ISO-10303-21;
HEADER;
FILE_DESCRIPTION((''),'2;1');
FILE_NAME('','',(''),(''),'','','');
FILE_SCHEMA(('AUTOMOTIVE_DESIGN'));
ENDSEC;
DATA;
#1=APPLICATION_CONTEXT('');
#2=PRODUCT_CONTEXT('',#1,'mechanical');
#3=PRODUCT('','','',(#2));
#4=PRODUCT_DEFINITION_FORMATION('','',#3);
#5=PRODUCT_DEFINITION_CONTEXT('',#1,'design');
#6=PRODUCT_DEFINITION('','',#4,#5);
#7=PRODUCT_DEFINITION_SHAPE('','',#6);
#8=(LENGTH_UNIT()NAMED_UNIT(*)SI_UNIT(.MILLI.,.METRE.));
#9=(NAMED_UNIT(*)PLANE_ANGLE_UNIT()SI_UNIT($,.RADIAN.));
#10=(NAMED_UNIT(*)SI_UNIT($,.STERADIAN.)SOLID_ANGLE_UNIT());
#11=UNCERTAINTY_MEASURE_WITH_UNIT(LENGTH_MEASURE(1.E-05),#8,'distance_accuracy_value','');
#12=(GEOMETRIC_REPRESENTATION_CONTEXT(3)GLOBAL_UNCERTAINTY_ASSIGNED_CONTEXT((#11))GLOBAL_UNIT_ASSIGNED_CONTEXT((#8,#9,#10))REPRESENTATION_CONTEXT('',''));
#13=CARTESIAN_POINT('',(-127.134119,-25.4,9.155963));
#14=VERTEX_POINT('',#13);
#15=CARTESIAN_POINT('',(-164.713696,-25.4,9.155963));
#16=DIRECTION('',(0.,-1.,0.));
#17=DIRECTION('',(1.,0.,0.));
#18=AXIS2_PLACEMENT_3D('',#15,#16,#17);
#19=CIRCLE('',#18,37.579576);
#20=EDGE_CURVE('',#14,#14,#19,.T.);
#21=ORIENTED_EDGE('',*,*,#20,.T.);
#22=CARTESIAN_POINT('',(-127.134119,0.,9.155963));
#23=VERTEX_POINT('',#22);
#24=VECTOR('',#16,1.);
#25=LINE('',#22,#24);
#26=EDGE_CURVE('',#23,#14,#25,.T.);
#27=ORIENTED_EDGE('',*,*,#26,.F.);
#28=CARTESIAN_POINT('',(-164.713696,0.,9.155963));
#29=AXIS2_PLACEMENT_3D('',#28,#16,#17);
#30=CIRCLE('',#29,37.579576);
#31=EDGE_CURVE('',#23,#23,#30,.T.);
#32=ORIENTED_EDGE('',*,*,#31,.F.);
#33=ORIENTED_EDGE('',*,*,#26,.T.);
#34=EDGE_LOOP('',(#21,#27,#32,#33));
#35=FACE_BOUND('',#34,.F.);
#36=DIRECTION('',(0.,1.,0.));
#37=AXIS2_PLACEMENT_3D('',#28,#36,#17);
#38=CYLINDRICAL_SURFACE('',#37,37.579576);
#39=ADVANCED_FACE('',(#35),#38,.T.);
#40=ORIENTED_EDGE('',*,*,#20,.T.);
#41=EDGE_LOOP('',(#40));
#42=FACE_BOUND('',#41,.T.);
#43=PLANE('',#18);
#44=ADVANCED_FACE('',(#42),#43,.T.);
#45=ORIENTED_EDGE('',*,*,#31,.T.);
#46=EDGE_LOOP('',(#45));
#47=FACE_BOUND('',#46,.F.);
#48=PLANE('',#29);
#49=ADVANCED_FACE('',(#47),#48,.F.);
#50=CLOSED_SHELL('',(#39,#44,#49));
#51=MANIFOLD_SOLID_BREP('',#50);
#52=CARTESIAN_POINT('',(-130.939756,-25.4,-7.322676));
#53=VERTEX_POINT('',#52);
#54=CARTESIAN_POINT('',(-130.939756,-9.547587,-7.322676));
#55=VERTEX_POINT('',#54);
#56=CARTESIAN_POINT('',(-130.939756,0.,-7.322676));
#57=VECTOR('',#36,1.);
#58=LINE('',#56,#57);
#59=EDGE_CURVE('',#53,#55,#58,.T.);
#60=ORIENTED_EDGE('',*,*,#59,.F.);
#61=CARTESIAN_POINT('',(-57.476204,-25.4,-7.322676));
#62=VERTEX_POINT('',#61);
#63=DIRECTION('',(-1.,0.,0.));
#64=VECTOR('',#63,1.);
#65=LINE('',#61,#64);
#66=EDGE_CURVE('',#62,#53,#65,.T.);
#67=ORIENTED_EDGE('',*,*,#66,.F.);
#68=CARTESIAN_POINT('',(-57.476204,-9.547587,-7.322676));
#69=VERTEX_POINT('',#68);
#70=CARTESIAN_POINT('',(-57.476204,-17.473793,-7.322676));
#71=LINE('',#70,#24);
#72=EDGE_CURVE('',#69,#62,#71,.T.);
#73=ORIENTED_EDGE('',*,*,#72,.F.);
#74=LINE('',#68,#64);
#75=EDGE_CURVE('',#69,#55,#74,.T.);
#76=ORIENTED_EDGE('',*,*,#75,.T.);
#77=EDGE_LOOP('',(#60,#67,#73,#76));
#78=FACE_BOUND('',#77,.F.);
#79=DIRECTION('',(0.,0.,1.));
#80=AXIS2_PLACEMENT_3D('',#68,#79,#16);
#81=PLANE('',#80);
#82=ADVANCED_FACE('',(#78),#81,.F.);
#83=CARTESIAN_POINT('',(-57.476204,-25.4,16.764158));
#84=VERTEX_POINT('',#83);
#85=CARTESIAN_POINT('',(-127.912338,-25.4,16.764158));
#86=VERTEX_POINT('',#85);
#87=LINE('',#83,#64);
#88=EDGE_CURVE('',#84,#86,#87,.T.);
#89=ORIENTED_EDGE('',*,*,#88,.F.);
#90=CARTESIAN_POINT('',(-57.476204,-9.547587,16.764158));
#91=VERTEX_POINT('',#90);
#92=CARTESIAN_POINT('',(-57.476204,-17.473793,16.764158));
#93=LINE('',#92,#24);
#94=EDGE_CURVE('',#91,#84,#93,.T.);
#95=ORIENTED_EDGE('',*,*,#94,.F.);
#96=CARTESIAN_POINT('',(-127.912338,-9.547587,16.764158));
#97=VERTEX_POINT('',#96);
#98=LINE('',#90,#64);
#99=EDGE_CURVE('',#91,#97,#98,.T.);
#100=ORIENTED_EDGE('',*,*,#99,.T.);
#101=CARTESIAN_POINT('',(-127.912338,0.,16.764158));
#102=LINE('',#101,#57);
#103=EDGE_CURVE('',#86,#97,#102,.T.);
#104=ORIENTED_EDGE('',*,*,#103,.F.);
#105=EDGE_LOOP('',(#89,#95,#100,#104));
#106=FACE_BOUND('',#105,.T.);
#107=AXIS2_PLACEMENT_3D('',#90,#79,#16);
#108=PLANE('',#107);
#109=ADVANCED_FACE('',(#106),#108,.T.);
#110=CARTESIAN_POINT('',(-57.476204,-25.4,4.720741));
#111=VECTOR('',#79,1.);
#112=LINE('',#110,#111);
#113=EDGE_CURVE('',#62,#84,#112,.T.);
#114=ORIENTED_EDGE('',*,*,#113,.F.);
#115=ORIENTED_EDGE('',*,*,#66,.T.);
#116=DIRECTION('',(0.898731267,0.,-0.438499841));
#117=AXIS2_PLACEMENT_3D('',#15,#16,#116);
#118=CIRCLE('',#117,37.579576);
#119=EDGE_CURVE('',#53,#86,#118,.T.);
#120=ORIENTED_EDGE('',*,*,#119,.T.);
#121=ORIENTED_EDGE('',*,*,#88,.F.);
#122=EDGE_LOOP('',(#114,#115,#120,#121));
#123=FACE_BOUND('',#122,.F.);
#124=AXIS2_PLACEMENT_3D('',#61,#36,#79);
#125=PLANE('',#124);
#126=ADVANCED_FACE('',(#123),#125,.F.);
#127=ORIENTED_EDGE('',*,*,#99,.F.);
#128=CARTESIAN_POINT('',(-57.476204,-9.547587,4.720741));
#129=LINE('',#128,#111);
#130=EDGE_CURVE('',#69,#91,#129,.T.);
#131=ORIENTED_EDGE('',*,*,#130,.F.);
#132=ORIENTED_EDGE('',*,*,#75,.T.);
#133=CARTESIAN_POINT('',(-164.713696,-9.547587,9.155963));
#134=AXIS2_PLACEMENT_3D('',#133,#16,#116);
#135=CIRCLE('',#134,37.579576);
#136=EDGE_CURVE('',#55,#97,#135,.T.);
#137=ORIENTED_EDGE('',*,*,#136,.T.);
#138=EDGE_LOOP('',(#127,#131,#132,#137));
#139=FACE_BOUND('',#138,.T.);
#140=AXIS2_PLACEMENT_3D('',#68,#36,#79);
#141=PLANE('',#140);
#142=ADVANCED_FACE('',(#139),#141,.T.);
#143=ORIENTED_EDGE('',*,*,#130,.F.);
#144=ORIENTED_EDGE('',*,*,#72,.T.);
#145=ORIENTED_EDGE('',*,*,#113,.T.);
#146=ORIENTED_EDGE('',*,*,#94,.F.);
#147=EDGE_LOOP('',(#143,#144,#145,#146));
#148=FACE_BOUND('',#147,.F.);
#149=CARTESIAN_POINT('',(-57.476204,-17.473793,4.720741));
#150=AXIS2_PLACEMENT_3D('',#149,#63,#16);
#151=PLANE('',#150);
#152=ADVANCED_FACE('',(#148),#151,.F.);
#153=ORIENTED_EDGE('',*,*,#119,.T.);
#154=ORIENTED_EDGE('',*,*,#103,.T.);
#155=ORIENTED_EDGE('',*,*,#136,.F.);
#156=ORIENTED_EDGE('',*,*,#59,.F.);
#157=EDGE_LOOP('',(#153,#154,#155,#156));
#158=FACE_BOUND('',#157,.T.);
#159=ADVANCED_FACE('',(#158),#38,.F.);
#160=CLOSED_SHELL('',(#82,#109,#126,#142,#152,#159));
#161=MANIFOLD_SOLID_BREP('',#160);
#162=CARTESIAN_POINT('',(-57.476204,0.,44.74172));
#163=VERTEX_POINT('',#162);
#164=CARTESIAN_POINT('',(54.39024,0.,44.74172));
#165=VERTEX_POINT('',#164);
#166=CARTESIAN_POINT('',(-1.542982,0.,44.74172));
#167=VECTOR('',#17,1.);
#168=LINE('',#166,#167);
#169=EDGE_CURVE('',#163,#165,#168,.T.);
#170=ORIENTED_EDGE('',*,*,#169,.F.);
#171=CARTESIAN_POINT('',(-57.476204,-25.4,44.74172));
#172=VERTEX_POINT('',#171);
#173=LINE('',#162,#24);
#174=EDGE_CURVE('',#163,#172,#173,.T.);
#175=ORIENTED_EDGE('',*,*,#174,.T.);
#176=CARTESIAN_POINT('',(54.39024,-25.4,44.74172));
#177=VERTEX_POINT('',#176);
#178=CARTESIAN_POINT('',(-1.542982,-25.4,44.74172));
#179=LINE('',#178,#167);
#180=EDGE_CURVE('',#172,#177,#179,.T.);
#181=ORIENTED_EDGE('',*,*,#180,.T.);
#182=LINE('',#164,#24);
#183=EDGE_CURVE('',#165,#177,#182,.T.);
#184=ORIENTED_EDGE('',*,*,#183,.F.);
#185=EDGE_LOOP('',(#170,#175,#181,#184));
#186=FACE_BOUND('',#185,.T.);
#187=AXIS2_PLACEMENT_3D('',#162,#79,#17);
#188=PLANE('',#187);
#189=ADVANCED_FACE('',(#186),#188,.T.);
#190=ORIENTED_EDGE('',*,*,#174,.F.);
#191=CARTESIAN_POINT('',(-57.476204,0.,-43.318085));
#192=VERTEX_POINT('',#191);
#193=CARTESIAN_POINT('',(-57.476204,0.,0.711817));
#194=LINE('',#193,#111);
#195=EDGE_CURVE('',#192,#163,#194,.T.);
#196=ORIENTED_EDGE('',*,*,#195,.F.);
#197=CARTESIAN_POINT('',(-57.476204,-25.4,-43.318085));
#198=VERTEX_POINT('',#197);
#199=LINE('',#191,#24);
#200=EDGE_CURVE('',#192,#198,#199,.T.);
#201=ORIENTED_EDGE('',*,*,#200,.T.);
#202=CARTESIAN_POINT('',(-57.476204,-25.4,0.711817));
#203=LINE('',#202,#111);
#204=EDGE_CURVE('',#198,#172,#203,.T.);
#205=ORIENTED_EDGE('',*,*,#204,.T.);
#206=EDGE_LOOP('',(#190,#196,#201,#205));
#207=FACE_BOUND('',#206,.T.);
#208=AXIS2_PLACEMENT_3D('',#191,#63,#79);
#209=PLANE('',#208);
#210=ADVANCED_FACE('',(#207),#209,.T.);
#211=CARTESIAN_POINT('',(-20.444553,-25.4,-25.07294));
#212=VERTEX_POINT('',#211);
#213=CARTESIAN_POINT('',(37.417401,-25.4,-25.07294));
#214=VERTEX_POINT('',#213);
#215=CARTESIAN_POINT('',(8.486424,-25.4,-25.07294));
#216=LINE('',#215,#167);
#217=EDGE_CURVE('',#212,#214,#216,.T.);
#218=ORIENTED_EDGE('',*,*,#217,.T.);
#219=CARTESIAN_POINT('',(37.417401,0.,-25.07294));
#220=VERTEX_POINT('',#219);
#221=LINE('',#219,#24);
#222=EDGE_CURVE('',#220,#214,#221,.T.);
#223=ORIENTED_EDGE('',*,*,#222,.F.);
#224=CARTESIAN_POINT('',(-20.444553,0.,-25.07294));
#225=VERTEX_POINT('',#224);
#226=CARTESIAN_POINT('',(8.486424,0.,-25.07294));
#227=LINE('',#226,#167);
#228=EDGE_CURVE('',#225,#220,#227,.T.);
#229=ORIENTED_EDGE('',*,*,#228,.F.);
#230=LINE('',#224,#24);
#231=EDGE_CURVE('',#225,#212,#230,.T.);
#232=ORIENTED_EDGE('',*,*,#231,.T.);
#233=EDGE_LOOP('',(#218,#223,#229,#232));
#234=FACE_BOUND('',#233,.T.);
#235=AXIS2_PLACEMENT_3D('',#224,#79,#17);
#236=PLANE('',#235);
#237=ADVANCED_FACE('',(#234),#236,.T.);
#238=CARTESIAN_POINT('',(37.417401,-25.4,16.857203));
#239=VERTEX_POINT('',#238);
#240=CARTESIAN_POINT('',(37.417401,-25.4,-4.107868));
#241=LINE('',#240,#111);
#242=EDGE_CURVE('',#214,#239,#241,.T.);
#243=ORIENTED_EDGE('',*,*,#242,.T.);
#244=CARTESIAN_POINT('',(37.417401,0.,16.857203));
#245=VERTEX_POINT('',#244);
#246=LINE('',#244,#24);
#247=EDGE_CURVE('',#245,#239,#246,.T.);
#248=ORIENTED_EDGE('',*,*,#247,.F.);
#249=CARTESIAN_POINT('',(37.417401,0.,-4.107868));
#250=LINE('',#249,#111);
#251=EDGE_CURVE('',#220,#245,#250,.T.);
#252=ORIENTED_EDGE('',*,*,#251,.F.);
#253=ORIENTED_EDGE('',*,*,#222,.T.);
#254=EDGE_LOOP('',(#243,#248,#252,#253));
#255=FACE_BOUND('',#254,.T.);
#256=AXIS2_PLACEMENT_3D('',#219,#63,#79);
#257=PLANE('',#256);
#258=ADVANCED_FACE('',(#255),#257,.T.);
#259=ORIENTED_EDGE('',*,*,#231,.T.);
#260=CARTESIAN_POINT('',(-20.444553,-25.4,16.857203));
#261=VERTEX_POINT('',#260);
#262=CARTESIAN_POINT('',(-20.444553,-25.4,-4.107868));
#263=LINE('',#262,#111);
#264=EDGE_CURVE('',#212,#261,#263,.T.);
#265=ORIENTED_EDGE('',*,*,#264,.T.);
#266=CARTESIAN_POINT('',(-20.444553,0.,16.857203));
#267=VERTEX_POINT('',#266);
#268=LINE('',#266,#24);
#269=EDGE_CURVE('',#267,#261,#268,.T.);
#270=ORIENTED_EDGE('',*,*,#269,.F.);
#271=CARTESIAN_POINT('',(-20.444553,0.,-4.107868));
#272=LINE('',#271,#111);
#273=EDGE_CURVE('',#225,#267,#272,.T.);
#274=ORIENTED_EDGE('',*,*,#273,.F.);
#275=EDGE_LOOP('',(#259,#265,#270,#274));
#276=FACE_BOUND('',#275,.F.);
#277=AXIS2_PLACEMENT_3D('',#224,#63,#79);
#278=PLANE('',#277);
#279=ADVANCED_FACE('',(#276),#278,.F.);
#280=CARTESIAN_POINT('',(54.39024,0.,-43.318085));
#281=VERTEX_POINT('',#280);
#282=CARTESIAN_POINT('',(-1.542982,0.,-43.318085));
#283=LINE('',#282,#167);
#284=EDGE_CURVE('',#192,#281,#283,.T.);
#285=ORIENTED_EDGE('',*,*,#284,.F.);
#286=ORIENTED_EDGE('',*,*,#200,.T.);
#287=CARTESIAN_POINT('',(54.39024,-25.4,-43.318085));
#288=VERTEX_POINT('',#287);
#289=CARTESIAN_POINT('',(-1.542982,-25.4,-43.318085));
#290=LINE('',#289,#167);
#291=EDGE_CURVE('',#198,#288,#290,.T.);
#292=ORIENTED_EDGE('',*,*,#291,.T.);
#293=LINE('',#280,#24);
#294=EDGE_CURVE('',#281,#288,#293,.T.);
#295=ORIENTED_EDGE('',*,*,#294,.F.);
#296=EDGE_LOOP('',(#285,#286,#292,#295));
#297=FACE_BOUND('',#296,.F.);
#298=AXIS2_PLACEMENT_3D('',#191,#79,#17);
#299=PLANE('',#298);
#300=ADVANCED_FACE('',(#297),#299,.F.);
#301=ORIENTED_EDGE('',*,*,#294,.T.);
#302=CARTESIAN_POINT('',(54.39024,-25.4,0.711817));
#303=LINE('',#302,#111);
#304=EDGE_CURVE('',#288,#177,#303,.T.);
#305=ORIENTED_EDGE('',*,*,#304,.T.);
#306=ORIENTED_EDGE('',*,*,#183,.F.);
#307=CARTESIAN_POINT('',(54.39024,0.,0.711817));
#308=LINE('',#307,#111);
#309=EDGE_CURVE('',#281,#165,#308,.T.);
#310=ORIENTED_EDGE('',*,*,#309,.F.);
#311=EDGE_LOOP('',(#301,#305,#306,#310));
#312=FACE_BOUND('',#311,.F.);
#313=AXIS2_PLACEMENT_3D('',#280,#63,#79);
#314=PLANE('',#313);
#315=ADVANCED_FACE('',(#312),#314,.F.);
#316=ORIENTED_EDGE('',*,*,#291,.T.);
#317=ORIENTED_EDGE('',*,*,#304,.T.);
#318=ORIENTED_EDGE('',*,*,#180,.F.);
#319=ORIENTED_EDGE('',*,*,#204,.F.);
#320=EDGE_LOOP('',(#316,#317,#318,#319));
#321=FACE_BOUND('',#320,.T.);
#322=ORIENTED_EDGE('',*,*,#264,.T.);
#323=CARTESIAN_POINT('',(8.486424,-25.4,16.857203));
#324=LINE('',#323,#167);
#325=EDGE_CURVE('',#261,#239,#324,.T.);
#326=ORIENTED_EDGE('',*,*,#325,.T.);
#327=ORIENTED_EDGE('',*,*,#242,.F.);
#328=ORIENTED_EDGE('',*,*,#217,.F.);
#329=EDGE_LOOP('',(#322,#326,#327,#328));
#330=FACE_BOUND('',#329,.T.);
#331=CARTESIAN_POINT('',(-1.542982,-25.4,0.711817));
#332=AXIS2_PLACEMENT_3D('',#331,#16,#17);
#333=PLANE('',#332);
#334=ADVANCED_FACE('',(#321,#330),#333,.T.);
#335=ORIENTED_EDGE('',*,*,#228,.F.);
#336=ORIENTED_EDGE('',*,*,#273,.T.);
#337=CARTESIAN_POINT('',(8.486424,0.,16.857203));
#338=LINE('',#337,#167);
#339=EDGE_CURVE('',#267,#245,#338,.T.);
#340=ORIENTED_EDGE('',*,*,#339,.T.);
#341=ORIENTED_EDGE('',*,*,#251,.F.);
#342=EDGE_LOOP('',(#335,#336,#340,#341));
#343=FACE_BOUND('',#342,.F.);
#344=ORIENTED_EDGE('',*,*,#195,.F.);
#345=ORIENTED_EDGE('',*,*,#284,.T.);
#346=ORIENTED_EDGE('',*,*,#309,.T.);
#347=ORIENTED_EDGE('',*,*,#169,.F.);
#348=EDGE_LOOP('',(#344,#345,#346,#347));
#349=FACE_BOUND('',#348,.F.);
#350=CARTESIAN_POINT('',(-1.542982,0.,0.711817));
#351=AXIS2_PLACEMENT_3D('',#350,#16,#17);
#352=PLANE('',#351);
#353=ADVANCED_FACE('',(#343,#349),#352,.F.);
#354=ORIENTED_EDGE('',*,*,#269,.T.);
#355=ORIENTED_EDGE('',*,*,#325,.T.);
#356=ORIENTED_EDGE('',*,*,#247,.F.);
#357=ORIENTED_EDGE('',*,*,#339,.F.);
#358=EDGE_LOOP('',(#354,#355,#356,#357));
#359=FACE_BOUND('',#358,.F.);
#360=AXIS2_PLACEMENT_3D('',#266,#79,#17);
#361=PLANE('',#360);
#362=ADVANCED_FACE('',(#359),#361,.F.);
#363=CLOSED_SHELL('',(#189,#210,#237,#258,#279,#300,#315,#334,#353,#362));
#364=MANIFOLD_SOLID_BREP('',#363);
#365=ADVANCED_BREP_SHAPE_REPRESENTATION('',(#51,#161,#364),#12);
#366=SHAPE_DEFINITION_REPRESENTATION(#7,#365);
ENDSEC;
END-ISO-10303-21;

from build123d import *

# Parameters (mm, degrees)
F0_W     = 111.8664443493
F0_H     = 88.0598053336
F0_W_2   = 57.8619539738
F0_H_2   = 41.9301427901
F0_R     = 37.5795761557
F1_DEPTH = 25.4
F2_W     = 15.8524134472
F2_H     = 24.0868339315


with BuildPart() as f1:
    # F0 (on Front) → F1 (new body)
    with BuildSketch(Plane.XZ):
        with Locations((-1.542981714, 0.7118172944)):
            Rectangle(F0_W, F0_H)
        with Locations((8.4864236414, -4.1078682989)):
            Rectangle(F0_W_2, F0_H_2, mode=Mode.SUBTRACT)
        with Locations((-164.7136956453, 9.1559626162)):
            Circle(F0_R)
    extrude(amount=F1_DEPTH)


with BuildPart() as f3:
    # F2 (on face) → F3 (new body, up to the next surface of F1)
    with BuildSketch(Plane(origin=(-57.4762038887, 0, 0), x_dir=(0, -1, 0), z_dir=(-1, 0, 0))):
        with Locations((17.4737932764, 4.7207414173)):
            Rectangle(F2_W, F2_H)
    extrude(until=Until.NEXT, target=f1.part)


solid = Compound([f1.part, f3.part])
